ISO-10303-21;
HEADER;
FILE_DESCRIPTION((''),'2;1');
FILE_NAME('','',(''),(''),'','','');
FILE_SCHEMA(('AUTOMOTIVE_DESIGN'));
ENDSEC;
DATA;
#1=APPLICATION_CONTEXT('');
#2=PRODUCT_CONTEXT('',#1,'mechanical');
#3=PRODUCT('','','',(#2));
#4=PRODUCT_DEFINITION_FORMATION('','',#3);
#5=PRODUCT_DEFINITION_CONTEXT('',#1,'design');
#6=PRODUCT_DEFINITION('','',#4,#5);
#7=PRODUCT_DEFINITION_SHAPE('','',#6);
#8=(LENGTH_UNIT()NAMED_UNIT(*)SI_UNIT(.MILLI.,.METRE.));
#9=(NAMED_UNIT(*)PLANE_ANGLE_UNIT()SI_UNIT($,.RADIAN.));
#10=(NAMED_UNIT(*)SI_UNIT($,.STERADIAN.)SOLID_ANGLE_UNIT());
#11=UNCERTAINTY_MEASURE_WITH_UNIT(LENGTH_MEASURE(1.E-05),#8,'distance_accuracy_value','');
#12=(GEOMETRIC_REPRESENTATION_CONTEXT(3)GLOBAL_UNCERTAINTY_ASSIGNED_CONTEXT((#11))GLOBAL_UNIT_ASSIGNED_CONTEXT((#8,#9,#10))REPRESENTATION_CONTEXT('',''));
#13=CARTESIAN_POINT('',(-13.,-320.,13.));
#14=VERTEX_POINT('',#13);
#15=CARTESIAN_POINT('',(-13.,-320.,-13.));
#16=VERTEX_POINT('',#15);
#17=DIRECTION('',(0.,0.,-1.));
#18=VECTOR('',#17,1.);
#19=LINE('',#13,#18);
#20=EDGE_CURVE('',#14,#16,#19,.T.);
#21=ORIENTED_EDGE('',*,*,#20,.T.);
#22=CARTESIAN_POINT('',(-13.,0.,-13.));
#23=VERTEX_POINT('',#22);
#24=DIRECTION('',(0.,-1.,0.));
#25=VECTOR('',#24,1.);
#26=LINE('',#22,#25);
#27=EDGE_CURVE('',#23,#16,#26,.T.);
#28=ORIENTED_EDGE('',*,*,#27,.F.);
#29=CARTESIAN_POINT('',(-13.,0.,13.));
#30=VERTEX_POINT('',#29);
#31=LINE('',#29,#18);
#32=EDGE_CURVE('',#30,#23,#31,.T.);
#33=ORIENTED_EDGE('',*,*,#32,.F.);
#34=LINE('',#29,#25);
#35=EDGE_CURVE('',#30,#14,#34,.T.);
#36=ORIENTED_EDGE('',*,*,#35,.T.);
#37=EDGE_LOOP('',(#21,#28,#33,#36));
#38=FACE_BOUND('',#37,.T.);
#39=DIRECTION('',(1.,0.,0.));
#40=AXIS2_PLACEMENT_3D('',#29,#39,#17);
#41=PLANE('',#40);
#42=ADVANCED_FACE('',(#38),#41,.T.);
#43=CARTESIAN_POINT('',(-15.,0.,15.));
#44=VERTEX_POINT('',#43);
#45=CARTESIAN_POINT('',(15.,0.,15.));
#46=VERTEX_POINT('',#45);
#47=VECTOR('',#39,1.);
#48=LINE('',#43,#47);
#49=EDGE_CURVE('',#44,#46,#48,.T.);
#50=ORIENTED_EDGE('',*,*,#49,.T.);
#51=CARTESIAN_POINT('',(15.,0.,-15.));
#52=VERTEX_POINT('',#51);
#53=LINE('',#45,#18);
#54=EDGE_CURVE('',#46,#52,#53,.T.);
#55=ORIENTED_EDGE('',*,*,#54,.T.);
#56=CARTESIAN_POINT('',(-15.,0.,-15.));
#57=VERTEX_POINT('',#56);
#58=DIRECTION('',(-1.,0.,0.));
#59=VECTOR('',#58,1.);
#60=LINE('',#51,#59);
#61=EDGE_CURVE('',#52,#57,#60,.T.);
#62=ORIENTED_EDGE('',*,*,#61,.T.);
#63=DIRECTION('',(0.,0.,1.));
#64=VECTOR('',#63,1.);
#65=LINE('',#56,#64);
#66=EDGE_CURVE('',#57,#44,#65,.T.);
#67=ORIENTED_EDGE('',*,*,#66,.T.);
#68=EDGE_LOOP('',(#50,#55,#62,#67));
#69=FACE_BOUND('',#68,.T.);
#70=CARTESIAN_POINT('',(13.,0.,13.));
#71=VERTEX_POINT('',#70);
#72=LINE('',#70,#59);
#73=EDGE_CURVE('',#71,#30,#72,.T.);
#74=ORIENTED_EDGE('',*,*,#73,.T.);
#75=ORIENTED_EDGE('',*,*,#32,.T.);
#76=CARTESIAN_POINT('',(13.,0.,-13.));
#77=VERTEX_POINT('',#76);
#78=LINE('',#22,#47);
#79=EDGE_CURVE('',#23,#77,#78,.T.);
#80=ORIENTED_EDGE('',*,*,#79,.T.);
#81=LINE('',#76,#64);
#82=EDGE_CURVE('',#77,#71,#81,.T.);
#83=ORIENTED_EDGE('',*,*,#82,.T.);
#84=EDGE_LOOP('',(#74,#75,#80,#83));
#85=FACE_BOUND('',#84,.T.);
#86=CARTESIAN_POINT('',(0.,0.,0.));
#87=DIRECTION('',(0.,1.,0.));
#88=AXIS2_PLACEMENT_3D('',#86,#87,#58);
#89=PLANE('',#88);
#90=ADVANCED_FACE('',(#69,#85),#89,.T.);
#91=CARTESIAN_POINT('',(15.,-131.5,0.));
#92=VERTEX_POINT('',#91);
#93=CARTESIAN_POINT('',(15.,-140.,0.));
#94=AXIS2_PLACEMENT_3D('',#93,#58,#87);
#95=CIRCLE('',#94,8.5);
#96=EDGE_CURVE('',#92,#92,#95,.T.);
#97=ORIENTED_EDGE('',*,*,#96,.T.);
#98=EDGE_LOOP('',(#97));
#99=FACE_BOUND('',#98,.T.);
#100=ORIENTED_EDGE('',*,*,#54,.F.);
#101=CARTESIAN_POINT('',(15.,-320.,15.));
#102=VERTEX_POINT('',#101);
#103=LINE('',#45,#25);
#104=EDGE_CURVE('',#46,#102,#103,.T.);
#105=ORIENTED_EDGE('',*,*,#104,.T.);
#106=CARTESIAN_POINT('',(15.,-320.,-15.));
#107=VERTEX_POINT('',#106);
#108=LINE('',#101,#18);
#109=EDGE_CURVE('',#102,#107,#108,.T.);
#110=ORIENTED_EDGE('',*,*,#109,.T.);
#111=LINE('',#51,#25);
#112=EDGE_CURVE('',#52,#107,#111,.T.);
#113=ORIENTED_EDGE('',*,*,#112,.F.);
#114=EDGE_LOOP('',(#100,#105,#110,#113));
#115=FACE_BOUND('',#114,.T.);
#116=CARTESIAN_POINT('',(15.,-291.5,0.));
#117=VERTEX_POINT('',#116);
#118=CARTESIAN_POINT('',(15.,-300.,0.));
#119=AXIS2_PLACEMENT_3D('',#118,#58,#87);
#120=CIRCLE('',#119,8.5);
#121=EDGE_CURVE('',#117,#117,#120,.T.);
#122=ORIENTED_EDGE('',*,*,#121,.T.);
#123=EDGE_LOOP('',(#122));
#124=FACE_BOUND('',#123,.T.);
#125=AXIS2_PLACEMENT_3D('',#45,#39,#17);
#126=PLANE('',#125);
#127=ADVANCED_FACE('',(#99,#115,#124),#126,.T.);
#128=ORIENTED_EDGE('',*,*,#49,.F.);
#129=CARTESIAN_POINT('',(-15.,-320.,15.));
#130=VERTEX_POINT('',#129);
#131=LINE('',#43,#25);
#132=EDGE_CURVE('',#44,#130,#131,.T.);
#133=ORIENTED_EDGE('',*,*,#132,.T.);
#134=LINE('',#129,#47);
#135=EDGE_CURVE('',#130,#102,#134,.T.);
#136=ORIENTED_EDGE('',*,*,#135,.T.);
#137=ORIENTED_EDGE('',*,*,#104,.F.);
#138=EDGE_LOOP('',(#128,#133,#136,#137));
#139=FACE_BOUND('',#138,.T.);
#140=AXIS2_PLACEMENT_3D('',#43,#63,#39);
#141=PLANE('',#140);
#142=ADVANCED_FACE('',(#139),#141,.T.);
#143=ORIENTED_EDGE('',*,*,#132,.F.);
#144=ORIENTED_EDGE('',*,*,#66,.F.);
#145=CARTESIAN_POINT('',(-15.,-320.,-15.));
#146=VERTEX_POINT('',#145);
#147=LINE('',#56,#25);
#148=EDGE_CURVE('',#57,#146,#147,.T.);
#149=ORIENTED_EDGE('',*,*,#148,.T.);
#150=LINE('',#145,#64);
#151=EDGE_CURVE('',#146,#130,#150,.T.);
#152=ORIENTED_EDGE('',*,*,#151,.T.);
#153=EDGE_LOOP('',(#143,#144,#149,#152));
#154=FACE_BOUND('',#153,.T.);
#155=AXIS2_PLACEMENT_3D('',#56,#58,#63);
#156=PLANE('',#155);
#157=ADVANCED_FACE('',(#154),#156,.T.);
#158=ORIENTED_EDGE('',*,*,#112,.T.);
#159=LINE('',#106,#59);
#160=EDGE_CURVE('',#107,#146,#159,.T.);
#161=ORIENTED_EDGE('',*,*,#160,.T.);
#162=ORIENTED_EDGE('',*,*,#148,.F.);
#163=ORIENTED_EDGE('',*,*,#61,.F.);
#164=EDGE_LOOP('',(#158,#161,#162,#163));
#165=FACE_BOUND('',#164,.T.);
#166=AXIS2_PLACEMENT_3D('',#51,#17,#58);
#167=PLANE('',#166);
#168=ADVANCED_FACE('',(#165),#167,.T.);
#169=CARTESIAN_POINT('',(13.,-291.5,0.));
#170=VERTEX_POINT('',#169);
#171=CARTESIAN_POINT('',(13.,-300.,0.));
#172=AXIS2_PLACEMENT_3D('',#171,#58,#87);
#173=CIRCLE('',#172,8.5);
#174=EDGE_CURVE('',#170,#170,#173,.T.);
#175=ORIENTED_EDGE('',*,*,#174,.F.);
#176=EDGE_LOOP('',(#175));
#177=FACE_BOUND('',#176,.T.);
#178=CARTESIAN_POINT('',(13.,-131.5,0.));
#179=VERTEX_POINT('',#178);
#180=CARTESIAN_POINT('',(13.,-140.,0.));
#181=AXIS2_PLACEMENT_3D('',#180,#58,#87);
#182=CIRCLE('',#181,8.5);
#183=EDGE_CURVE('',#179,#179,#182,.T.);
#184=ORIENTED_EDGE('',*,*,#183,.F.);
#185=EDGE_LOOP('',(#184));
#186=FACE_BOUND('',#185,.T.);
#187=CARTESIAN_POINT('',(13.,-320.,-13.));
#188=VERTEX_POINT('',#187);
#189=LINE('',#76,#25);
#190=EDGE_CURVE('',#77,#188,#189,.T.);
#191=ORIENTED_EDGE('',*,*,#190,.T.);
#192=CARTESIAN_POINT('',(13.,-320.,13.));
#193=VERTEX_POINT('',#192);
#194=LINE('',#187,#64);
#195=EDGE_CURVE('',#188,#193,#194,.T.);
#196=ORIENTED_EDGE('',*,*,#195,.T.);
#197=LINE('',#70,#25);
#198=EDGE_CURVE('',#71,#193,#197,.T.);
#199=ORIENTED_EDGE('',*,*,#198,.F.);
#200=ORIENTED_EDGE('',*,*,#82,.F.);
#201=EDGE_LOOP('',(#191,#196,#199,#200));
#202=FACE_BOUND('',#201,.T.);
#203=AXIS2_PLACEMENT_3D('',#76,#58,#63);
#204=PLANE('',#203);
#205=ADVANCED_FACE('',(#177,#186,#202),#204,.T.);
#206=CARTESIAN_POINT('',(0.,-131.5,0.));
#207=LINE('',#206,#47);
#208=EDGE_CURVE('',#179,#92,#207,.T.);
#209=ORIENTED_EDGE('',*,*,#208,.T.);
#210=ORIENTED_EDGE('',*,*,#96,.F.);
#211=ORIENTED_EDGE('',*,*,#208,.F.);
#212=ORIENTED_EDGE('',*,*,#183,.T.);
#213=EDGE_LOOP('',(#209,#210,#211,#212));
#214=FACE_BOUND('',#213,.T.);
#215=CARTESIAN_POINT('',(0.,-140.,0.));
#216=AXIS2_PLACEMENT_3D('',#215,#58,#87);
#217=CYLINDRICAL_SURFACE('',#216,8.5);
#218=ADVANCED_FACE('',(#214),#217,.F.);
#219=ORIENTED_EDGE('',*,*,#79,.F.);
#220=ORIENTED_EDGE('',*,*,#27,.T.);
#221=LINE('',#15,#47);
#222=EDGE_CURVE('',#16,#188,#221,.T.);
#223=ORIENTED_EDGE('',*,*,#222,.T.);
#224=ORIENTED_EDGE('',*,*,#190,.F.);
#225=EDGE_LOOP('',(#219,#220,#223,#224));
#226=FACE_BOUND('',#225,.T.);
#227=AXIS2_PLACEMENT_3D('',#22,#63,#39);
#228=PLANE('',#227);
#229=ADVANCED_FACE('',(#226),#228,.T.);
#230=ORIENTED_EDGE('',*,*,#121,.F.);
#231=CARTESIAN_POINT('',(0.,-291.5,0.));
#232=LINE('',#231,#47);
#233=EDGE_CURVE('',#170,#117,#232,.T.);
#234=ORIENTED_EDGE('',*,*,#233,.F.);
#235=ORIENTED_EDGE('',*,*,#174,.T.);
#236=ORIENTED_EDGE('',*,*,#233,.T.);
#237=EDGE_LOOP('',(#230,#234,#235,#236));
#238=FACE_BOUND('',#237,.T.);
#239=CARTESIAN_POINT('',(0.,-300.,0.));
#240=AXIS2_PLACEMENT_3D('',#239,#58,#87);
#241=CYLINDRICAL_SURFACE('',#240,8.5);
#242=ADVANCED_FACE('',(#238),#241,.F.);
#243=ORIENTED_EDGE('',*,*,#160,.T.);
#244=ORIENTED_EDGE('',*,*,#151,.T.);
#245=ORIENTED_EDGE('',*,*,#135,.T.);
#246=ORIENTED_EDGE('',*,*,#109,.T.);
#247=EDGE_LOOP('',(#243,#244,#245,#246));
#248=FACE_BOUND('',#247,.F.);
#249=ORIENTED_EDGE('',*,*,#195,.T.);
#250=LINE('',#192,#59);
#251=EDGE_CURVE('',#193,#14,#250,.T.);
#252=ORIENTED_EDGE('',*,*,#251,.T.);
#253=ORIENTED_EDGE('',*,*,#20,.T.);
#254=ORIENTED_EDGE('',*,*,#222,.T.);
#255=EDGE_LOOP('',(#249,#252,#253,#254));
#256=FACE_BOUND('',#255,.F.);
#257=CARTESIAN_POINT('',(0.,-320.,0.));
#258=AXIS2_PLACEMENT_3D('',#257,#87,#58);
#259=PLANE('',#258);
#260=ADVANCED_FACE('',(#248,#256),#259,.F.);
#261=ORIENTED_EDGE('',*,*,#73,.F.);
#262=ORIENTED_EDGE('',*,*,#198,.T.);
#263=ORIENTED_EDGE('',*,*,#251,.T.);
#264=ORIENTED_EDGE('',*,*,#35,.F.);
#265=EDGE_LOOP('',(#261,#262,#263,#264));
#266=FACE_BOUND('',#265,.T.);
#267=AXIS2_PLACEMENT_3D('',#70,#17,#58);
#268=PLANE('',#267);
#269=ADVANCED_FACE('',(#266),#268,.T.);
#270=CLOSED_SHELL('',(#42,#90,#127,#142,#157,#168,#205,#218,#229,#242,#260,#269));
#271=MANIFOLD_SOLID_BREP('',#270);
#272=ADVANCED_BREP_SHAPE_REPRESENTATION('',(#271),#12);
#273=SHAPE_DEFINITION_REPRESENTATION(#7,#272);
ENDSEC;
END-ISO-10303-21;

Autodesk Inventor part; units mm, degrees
ref_plane "YZ Plane" through (0, 0, 0) normal (1, 0, 0) x (0, 1, 0)
ref_plane "XZ Plane" through (0, 0, 0) normal (0, 1, 0) x (-1, 0, 0)
ref_plane "XY Plane" through (0, 0, 0) normal (0, 0, 1) x (1, 0, 0)
sketch "Sketch9" plane through (0, 0, 0) normal (0, 1, 0) x (-1, 0, 0)
  line L0 (15, 15) -> (-15, 15)
  line L1 (-15, 15) -> (-15, -15)
  line L2 (-15, -15) -> (15, -15)
  line L3 (15, -15) -> (15, 15)
  line L4 (15, 15) -> (-15, -15) construction
  line L5 (-15, 15) -> (15, -15) construction
  line L6 (-13, 13) -> (13, 13)
  line L7 (13, 13) -> (13, -13)
  line L8 (13, -13) -> (-13, -13)
  line L9 (-13, -13) -> (-13, 13)
  point P0 (0, 0)
  dimension "d172" = 30
  dimension "d173" = 30
  dimension "d174" = 2
extrude "Extrusion3" add sketch "Sketch9" against normal blind 320
sketch "Sketch10" plane through (0, 0, 0) normal (1, 0, 0) x (0, 1, 0)
  line L0 (0, 15) -> (0, -15) construction
  line L1 (0, 15) -> (-320, 15) construction
  line L2 (-320, -15) -> (-320, 15) construction
  line L3 (0, -15) -> (-320, -15) construction
  line L4 (-148.5, 8.5) -> (-131.5, 8.5)
  line L5 (-131.5, 8.5) -> (-131.5, -8.5)
  line L6 (-131.5, -8.5) -> (-148.5, -8.5)
  line L7 (-148.5, -8.5) -> (-148.5, 8.5)
  line L8 (-148.5, 8.5) -> (-131.5, -8.5) construction
  line L9 (-131.5, 8.5) -> (-148.5, -8.5) construction
  line L10 (-308.5, 8.5) -> (-291.5, 8.5)
  line L11 (-291.5, 8.5) -> (-291.5, -8.5)
  line L12 (-291.5, -8.5) -> (-308.5, -8.5)
  line L13 (-308.5, -8.5) -> (-308.5, 8.5)
  line L14 (-308.5, 8.5) -> (-291.5, -8.5) construction
  line L15 (-291.5, 8.5) -> (-308.5, -8.5) construction
  line L16 (-428.5, 8.5) -> (-411.5, 8.5)
  line L17 (-411.5, 8.5) -> (-411.5, -8.5)
  line L18 (-411.5, -8.5) -> (-428.5, -8.5)
  line L19 (-428.5, -8.5) -> (-428.5, 8.5)
  line L20 (-428.5, 8.5) -> (-411.5, -8.5) construction
  line L21 (-411.5, 8.5) -> (-428.5, -8.5) construction
  circle A0 centre (-470, 0) radius 8.5
  line L22 (0, 0) -> (30, 0)
  circle A1 centre (-140, 0) radius 8.5
  circle A2 centre (-300, 0) radius 8.5
  circle A3 centre (-420, 0) radius 8.5
  dimension "d177" = 17
  dimension "d178" = 17
  dimension "d181" = 30
  dimension "d182" = 170
  dimension "d183" = 330
  dimension "d184" = 450
  dimension "d185" = 500
  dimension "d186" = 17
extrude "Extrusion4" cut sketch "Sketch10" along normal through all contours A1 | A2
properties part number "APN 756 FDS 1200 way tube 3" material "Stainless Steel"
